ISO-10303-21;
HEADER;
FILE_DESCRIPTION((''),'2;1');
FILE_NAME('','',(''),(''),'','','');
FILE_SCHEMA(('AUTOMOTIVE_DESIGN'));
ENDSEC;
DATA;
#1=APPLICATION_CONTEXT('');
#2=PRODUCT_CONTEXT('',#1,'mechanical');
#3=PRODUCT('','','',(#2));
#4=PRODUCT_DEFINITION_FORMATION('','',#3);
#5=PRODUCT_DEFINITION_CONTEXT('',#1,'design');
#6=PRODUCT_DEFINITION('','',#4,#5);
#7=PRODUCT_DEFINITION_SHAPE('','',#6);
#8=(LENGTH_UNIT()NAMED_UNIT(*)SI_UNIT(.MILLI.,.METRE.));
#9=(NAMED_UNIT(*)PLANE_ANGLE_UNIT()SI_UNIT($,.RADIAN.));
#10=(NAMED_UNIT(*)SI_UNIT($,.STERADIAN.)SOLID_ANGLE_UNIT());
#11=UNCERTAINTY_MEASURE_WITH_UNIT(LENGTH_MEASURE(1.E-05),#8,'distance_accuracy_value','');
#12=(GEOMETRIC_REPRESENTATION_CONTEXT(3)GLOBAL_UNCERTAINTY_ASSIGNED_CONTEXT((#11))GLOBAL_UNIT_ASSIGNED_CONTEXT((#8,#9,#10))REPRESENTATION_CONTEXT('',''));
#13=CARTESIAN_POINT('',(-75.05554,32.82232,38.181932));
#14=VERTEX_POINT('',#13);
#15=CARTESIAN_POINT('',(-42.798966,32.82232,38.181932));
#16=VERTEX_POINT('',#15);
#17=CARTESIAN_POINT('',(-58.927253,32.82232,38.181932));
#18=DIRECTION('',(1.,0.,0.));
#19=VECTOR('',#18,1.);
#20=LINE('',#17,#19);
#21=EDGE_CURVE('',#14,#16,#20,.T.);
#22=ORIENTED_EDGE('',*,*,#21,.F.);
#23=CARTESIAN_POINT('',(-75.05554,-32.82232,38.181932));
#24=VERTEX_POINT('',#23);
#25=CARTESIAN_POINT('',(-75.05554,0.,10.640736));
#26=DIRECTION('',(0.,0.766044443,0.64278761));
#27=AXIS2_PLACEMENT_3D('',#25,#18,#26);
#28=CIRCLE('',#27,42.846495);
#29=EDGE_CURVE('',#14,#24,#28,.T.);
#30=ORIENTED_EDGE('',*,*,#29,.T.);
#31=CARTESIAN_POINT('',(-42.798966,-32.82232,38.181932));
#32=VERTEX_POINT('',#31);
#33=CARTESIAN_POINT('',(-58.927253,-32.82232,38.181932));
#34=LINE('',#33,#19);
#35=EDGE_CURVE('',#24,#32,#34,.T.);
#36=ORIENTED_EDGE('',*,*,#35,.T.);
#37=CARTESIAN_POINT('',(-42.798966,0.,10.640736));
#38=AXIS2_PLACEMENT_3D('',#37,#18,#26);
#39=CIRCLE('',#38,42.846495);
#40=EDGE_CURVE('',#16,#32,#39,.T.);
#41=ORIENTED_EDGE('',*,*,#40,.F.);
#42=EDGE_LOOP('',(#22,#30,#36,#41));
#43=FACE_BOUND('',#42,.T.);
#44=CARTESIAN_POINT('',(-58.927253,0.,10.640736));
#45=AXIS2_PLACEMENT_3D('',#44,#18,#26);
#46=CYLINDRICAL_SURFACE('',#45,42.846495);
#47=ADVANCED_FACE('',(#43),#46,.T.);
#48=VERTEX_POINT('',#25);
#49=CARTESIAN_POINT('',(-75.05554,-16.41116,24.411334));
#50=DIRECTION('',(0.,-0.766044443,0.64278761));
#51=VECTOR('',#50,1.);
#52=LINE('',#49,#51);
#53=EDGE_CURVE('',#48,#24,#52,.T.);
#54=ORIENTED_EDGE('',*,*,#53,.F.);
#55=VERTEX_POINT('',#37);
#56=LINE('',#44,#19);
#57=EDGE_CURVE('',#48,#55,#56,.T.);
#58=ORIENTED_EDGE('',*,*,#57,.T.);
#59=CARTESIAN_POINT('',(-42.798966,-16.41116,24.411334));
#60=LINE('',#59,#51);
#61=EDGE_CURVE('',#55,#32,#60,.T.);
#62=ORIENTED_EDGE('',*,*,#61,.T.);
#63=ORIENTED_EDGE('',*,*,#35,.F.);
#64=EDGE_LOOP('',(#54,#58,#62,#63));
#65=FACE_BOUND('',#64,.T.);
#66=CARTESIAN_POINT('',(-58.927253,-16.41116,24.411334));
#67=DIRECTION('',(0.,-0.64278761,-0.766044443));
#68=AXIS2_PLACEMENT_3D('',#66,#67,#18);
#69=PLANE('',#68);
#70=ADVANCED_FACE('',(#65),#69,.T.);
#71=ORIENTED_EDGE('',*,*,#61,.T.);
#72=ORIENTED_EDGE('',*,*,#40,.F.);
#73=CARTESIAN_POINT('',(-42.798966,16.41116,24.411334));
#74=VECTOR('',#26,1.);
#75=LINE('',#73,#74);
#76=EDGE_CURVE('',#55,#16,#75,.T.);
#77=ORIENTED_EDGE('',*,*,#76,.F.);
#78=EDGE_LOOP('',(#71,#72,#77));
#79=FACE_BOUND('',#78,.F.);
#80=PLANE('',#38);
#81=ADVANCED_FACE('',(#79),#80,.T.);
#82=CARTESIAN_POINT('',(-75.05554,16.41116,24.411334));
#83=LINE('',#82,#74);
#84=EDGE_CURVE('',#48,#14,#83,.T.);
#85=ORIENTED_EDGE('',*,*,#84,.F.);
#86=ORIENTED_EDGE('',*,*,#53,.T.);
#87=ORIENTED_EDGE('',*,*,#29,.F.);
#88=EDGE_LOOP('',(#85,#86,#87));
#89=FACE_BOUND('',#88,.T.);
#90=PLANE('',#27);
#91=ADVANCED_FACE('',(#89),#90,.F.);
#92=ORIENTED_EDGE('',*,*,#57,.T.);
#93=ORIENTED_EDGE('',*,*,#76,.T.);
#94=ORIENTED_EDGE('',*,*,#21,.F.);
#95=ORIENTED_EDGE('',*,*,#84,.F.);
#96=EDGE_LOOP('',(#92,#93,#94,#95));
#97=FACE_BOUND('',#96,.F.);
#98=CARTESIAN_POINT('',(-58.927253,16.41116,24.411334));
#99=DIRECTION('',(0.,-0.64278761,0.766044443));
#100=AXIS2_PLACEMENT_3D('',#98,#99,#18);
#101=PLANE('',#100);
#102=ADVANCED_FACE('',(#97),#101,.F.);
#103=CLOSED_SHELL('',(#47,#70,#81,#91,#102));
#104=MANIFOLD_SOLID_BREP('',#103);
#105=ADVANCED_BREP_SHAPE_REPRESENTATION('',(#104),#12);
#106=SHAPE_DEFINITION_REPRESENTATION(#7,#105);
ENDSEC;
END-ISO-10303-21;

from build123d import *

# Parameters (mm, degrees)
F0_W          = 32.2565734386
F0_H          = 42.8464952856
F1_ANGLE_BACK = 50
F1_ANGLE      = 100


with BuildPart() as f1:
    # F0 (on Front) → F1 (revolve)
    with BuildSketch(Plane.XZ, mode=Mode.PRIVATE) as f1_sk:
        with Locations((-58.9272528887, 32.0639833808)):
            Rectangle(F0_W, F0_H)
    revolve(f1_sk.sketch.rotate(Axis((-58.9272528887, 0, 10.640735738), (1, 0, 0)), -F1_ANGLE_BACK), axis=Axis((-58.9272528887, 0, 10.640735738), (1, 0, 0)), revolution_arc=F1_ANGLE)


solid = f1.part
